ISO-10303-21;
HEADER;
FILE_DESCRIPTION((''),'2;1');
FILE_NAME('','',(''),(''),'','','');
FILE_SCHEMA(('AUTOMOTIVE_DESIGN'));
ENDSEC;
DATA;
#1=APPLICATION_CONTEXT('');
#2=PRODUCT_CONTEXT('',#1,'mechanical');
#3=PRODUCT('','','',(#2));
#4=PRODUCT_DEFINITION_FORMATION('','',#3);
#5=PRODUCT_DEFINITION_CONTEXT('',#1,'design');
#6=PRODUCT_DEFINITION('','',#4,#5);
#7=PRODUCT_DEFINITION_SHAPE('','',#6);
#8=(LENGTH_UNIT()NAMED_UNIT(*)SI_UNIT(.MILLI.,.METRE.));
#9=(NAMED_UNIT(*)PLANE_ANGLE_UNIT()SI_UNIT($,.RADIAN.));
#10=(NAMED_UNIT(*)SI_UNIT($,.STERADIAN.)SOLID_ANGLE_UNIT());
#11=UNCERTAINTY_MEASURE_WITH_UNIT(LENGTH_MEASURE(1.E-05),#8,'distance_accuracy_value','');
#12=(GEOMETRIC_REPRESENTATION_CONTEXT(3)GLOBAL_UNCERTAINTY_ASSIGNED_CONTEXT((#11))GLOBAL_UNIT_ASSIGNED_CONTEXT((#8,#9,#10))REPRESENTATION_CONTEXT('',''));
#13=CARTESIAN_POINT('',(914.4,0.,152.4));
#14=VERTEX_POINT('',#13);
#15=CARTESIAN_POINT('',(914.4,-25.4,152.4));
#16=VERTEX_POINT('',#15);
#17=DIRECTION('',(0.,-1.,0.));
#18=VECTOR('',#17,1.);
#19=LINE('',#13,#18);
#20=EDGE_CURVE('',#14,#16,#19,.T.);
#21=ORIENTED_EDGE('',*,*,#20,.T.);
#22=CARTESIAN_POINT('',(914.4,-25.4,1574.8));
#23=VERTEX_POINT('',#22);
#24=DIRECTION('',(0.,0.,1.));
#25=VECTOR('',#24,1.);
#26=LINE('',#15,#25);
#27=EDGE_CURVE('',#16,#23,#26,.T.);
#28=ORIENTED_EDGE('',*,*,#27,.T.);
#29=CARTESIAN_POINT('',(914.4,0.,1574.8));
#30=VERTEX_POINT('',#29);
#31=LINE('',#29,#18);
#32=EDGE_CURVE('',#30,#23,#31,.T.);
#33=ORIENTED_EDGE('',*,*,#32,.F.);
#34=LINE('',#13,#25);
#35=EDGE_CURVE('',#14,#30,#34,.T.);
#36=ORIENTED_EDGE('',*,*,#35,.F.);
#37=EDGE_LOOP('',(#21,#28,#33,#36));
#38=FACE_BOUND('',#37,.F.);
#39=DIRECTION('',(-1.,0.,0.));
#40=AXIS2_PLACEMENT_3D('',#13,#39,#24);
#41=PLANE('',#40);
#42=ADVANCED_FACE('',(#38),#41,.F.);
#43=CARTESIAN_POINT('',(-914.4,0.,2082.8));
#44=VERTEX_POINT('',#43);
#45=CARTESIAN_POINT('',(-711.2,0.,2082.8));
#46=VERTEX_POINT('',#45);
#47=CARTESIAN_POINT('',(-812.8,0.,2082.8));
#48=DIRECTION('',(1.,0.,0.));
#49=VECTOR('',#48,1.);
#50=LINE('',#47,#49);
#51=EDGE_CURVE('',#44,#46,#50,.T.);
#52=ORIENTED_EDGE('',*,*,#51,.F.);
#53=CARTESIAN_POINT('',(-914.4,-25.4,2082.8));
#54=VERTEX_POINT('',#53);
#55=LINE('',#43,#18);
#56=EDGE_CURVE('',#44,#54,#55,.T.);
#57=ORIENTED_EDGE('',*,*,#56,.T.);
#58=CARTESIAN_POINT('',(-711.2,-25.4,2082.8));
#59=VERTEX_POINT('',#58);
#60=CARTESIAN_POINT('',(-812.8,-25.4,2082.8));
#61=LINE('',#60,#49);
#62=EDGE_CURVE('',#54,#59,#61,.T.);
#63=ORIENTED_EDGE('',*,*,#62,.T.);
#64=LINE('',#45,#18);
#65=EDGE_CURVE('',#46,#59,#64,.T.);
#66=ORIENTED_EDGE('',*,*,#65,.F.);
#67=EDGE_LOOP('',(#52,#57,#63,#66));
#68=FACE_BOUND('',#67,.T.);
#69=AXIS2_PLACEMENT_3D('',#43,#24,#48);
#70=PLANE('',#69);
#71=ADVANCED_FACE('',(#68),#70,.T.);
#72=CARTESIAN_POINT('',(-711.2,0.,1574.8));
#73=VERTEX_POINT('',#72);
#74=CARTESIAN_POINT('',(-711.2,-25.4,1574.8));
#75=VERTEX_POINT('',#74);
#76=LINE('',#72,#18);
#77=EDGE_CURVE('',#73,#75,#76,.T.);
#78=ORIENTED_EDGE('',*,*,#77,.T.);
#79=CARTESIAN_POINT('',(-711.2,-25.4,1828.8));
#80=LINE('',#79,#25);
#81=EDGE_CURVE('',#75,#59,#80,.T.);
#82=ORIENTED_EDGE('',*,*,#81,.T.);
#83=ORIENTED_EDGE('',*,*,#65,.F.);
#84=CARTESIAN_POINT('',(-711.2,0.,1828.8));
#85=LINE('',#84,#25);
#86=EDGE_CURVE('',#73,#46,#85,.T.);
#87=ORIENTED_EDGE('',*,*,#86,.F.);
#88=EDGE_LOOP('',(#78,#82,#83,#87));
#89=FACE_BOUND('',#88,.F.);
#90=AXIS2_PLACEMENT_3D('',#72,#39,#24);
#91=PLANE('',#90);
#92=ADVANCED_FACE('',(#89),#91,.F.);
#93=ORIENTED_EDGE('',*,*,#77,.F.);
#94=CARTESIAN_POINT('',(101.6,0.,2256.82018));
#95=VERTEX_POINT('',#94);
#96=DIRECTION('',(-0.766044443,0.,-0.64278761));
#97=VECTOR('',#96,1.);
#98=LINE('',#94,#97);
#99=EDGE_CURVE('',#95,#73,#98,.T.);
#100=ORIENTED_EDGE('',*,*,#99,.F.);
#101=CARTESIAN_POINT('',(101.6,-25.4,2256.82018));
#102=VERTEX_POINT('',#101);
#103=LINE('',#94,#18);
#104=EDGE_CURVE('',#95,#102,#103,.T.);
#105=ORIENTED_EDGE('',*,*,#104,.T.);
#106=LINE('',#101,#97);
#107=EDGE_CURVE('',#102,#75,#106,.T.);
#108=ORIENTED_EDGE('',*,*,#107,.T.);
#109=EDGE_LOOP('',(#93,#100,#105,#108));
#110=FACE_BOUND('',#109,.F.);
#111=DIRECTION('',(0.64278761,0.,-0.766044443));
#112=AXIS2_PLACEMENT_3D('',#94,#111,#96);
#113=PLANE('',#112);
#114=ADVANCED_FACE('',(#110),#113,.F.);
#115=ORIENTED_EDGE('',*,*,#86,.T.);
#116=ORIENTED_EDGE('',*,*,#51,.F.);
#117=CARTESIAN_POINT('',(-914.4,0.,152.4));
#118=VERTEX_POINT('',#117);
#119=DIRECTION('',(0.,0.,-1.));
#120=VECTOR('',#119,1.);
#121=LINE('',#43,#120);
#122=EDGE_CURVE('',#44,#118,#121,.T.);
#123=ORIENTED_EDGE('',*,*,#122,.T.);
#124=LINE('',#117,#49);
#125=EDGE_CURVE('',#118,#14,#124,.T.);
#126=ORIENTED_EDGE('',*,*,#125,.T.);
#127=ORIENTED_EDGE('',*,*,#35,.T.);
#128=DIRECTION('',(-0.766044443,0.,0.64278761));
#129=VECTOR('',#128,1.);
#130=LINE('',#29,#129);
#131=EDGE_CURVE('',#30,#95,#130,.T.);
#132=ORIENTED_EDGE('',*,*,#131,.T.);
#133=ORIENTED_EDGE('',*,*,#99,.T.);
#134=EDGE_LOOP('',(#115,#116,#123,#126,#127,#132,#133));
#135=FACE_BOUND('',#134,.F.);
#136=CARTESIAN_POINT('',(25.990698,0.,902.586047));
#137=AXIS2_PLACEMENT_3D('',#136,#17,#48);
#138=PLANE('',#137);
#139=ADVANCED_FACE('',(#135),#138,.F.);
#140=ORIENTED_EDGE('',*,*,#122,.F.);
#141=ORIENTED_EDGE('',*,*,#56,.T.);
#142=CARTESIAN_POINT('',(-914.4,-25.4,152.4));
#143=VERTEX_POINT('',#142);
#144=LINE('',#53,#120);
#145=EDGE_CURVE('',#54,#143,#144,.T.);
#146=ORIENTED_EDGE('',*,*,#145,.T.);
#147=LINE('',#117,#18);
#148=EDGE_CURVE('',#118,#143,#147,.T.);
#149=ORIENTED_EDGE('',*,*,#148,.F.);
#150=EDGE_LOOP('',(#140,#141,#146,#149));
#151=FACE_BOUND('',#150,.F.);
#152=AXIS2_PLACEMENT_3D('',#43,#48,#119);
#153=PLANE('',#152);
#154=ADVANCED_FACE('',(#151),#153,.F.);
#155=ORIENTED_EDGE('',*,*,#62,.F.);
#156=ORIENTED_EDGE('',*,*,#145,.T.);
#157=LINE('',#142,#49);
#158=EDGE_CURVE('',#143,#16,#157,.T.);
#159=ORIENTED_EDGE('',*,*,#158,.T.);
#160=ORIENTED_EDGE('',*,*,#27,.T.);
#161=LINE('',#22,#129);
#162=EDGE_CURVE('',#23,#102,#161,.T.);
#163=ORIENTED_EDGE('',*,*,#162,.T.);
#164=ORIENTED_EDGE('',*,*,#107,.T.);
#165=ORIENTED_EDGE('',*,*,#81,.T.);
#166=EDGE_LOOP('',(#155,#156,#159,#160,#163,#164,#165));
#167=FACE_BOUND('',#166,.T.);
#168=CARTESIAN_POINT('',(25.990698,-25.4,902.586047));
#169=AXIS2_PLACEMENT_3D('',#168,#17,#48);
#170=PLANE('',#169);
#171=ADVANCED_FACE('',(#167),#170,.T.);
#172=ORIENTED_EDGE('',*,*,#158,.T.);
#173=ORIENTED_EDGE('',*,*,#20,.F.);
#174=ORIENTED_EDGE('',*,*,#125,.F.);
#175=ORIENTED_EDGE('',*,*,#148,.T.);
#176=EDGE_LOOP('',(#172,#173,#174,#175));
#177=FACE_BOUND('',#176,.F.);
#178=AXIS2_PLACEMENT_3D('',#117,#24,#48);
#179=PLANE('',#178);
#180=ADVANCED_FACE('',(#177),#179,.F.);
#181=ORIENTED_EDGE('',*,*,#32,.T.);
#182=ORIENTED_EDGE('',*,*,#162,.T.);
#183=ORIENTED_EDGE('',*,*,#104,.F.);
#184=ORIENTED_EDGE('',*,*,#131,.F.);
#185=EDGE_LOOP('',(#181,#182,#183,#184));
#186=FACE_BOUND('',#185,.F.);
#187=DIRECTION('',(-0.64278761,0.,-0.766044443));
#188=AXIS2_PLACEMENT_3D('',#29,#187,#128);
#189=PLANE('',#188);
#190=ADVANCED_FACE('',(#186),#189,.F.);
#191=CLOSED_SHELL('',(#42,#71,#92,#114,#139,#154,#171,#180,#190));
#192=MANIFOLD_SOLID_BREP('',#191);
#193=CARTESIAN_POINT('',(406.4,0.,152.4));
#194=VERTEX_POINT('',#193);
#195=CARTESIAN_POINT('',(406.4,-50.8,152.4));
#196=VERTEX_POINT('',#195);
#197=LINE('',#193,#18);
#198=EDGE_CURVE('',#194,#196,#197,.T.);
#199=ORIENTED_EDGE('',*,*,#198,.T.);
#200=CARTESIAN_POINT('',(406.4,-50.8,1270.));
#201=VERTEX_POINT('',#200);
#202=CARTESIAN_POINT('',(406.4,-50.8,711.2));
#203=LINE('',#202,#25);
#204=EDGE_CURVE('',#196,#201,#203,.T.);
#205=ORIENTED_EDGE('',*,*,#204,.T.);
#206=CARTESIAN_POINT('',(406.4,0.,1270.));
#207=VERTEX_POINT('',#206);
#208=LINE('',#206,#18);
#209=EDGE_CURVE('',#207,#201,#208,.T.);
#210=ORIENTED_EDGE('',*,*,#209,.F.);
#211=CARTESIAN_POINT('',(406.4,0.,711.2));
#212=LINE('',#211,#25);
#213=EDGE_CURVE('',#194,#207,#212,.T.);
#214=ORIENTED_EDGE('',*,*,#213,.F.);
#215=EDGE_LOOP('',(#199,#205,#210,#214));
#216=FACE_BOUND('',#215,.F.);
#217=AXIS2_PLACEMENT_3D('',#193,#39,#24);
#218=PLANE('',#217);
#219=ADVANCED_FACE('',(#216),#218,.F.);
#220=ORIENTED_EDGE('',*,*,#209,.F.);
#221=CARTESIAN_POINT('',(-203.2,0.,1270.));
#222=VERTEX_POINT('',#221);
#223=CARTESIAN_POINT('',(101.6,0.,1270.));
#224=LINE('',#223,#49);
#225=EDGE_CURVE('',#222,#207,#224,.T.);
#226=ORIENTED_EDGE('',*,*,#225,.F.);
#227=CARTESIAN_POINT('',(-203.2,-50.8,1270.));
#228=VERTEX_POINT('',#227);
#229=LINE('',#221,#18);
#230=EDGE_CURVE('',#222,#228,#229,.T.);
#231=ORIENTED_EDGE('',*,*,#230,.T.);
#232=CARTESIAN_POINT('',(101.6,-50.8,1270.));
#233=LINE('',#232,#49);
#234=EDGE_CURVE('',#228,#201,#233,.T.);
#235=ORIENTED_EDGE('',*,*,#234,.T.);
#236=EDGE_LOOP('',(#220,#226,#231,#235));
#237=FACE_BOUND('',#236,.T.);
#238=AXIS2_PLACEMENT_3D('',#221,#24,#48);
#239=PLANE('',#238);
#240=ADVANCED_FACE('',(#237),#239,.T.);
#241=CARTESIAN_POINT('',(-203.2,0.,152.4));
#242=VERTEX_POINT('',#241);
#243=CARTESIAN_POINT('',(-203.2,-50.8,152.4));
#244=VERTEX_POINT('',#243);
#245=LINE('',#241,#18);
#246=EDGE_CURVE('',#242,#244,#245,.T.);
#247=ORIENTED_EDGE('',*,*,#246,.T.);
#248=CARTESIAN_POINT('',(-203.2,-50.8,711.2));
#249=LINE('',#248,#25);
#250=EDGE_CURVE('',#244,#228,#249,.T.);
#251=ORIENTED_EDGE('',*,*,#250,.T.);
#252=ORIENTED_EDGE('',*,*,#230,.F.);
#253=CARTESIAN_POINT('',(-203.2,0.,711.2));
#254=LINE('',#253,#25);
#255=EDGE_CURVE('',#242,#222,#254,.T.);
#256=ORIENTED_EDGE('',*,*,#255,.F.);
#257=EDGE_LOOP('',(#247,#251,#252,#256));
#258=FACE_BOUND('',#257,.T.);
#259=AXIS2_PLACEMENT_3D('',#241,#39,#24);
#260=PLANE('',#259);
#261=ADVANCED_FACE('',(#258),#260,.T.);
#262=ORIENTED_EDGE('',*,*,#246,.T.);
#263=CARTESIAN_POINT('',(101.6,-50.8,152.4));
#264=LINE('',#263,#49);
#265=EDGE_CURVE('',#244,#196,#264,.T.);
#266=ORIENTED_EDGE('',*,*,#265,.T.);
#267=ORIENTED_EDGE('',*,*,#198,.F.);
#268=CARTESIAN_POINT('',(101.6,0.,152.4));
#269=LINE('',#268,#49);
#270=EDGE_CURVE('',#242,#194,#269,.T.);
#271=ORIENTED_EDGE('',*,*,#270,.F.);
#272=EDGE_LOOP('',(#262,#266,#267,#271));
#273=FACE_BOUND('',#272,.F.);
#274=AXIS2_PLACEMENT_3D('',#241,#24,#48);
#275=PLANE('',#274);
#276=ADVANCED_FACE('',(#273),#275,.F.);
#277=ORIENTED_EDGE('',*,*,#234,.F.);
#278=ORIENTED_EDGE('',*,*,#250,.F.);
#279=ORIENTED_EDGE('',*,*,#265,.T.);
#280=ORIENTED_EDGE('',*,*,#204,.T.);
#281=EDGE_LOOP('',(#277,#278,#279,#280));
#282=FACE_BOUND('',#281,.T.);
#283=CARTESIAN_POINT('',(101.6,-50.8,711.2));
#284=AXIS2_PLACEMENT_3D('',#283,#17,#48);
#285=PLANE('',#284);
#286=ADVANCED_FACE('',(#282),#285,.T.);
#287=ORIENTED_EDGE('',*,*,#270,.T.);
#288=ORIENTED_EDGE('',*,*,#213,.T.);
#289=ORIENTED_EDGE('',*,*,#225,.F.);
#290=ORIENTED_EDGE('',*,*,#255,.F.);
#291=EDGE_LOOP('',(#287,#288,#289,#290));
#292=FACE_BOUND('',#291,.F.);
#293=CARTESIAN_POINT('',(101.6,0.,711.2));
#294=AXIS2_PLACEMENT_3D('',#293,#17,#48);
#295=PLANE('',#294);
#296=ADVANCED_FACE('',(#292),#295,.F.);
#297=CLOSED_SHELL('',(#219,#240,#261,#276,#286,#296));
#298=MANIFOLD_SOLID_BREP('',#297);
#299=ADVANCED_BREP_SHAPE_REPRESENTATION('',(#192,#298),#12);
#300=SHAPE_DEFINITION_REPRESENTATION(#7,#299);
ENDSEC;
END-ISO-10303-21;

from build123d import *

# Parameters (mm, degrees)
F0_W     = 609.6
F0_H     = 1117.6
F1_DEPTH = 50.8
F0_W_2   = 203.2
F0_H_2   = 508
F2_DEPTH = 25.4


with BuildPart() as f1:
    # F0 (on Front) → F1 (new body)
    with BuildSketch(Plane.XZ):
        with Locations((101.6, 711.2)):
            Rectangle(F0_W, F0_H)
    extrude(amount=F1_DEPTH)


with BuildPart() as f2:
    # F0 (on Front) → F2 (new body)
    with BuildSketch(Plane.XZ):
        Polygon((914.4, 152.4), (914.4, 1574.8), (-711.2, 1574.8), (-914.4, 1574.8), (-914.4, 152.4), (-203.2, 152.4), (-203.2, 1270), (406.4, 1270), (406.4, 152.4), align=None)
        Polygon((-711.2, 1574.8), (914.4, 1574.8), (101.6, 2256.82018), align=None)
        with Locations((-812.8, 1828.8)):
            Rectangle(F0_W_2, F0_H_2)
        with Locations((101.6, 711.2)):
            Rectangle(F0_W, F0_H)
    extrude(amount=F2_DEPTH)


solid = Compound([f1.part, f2.part])
